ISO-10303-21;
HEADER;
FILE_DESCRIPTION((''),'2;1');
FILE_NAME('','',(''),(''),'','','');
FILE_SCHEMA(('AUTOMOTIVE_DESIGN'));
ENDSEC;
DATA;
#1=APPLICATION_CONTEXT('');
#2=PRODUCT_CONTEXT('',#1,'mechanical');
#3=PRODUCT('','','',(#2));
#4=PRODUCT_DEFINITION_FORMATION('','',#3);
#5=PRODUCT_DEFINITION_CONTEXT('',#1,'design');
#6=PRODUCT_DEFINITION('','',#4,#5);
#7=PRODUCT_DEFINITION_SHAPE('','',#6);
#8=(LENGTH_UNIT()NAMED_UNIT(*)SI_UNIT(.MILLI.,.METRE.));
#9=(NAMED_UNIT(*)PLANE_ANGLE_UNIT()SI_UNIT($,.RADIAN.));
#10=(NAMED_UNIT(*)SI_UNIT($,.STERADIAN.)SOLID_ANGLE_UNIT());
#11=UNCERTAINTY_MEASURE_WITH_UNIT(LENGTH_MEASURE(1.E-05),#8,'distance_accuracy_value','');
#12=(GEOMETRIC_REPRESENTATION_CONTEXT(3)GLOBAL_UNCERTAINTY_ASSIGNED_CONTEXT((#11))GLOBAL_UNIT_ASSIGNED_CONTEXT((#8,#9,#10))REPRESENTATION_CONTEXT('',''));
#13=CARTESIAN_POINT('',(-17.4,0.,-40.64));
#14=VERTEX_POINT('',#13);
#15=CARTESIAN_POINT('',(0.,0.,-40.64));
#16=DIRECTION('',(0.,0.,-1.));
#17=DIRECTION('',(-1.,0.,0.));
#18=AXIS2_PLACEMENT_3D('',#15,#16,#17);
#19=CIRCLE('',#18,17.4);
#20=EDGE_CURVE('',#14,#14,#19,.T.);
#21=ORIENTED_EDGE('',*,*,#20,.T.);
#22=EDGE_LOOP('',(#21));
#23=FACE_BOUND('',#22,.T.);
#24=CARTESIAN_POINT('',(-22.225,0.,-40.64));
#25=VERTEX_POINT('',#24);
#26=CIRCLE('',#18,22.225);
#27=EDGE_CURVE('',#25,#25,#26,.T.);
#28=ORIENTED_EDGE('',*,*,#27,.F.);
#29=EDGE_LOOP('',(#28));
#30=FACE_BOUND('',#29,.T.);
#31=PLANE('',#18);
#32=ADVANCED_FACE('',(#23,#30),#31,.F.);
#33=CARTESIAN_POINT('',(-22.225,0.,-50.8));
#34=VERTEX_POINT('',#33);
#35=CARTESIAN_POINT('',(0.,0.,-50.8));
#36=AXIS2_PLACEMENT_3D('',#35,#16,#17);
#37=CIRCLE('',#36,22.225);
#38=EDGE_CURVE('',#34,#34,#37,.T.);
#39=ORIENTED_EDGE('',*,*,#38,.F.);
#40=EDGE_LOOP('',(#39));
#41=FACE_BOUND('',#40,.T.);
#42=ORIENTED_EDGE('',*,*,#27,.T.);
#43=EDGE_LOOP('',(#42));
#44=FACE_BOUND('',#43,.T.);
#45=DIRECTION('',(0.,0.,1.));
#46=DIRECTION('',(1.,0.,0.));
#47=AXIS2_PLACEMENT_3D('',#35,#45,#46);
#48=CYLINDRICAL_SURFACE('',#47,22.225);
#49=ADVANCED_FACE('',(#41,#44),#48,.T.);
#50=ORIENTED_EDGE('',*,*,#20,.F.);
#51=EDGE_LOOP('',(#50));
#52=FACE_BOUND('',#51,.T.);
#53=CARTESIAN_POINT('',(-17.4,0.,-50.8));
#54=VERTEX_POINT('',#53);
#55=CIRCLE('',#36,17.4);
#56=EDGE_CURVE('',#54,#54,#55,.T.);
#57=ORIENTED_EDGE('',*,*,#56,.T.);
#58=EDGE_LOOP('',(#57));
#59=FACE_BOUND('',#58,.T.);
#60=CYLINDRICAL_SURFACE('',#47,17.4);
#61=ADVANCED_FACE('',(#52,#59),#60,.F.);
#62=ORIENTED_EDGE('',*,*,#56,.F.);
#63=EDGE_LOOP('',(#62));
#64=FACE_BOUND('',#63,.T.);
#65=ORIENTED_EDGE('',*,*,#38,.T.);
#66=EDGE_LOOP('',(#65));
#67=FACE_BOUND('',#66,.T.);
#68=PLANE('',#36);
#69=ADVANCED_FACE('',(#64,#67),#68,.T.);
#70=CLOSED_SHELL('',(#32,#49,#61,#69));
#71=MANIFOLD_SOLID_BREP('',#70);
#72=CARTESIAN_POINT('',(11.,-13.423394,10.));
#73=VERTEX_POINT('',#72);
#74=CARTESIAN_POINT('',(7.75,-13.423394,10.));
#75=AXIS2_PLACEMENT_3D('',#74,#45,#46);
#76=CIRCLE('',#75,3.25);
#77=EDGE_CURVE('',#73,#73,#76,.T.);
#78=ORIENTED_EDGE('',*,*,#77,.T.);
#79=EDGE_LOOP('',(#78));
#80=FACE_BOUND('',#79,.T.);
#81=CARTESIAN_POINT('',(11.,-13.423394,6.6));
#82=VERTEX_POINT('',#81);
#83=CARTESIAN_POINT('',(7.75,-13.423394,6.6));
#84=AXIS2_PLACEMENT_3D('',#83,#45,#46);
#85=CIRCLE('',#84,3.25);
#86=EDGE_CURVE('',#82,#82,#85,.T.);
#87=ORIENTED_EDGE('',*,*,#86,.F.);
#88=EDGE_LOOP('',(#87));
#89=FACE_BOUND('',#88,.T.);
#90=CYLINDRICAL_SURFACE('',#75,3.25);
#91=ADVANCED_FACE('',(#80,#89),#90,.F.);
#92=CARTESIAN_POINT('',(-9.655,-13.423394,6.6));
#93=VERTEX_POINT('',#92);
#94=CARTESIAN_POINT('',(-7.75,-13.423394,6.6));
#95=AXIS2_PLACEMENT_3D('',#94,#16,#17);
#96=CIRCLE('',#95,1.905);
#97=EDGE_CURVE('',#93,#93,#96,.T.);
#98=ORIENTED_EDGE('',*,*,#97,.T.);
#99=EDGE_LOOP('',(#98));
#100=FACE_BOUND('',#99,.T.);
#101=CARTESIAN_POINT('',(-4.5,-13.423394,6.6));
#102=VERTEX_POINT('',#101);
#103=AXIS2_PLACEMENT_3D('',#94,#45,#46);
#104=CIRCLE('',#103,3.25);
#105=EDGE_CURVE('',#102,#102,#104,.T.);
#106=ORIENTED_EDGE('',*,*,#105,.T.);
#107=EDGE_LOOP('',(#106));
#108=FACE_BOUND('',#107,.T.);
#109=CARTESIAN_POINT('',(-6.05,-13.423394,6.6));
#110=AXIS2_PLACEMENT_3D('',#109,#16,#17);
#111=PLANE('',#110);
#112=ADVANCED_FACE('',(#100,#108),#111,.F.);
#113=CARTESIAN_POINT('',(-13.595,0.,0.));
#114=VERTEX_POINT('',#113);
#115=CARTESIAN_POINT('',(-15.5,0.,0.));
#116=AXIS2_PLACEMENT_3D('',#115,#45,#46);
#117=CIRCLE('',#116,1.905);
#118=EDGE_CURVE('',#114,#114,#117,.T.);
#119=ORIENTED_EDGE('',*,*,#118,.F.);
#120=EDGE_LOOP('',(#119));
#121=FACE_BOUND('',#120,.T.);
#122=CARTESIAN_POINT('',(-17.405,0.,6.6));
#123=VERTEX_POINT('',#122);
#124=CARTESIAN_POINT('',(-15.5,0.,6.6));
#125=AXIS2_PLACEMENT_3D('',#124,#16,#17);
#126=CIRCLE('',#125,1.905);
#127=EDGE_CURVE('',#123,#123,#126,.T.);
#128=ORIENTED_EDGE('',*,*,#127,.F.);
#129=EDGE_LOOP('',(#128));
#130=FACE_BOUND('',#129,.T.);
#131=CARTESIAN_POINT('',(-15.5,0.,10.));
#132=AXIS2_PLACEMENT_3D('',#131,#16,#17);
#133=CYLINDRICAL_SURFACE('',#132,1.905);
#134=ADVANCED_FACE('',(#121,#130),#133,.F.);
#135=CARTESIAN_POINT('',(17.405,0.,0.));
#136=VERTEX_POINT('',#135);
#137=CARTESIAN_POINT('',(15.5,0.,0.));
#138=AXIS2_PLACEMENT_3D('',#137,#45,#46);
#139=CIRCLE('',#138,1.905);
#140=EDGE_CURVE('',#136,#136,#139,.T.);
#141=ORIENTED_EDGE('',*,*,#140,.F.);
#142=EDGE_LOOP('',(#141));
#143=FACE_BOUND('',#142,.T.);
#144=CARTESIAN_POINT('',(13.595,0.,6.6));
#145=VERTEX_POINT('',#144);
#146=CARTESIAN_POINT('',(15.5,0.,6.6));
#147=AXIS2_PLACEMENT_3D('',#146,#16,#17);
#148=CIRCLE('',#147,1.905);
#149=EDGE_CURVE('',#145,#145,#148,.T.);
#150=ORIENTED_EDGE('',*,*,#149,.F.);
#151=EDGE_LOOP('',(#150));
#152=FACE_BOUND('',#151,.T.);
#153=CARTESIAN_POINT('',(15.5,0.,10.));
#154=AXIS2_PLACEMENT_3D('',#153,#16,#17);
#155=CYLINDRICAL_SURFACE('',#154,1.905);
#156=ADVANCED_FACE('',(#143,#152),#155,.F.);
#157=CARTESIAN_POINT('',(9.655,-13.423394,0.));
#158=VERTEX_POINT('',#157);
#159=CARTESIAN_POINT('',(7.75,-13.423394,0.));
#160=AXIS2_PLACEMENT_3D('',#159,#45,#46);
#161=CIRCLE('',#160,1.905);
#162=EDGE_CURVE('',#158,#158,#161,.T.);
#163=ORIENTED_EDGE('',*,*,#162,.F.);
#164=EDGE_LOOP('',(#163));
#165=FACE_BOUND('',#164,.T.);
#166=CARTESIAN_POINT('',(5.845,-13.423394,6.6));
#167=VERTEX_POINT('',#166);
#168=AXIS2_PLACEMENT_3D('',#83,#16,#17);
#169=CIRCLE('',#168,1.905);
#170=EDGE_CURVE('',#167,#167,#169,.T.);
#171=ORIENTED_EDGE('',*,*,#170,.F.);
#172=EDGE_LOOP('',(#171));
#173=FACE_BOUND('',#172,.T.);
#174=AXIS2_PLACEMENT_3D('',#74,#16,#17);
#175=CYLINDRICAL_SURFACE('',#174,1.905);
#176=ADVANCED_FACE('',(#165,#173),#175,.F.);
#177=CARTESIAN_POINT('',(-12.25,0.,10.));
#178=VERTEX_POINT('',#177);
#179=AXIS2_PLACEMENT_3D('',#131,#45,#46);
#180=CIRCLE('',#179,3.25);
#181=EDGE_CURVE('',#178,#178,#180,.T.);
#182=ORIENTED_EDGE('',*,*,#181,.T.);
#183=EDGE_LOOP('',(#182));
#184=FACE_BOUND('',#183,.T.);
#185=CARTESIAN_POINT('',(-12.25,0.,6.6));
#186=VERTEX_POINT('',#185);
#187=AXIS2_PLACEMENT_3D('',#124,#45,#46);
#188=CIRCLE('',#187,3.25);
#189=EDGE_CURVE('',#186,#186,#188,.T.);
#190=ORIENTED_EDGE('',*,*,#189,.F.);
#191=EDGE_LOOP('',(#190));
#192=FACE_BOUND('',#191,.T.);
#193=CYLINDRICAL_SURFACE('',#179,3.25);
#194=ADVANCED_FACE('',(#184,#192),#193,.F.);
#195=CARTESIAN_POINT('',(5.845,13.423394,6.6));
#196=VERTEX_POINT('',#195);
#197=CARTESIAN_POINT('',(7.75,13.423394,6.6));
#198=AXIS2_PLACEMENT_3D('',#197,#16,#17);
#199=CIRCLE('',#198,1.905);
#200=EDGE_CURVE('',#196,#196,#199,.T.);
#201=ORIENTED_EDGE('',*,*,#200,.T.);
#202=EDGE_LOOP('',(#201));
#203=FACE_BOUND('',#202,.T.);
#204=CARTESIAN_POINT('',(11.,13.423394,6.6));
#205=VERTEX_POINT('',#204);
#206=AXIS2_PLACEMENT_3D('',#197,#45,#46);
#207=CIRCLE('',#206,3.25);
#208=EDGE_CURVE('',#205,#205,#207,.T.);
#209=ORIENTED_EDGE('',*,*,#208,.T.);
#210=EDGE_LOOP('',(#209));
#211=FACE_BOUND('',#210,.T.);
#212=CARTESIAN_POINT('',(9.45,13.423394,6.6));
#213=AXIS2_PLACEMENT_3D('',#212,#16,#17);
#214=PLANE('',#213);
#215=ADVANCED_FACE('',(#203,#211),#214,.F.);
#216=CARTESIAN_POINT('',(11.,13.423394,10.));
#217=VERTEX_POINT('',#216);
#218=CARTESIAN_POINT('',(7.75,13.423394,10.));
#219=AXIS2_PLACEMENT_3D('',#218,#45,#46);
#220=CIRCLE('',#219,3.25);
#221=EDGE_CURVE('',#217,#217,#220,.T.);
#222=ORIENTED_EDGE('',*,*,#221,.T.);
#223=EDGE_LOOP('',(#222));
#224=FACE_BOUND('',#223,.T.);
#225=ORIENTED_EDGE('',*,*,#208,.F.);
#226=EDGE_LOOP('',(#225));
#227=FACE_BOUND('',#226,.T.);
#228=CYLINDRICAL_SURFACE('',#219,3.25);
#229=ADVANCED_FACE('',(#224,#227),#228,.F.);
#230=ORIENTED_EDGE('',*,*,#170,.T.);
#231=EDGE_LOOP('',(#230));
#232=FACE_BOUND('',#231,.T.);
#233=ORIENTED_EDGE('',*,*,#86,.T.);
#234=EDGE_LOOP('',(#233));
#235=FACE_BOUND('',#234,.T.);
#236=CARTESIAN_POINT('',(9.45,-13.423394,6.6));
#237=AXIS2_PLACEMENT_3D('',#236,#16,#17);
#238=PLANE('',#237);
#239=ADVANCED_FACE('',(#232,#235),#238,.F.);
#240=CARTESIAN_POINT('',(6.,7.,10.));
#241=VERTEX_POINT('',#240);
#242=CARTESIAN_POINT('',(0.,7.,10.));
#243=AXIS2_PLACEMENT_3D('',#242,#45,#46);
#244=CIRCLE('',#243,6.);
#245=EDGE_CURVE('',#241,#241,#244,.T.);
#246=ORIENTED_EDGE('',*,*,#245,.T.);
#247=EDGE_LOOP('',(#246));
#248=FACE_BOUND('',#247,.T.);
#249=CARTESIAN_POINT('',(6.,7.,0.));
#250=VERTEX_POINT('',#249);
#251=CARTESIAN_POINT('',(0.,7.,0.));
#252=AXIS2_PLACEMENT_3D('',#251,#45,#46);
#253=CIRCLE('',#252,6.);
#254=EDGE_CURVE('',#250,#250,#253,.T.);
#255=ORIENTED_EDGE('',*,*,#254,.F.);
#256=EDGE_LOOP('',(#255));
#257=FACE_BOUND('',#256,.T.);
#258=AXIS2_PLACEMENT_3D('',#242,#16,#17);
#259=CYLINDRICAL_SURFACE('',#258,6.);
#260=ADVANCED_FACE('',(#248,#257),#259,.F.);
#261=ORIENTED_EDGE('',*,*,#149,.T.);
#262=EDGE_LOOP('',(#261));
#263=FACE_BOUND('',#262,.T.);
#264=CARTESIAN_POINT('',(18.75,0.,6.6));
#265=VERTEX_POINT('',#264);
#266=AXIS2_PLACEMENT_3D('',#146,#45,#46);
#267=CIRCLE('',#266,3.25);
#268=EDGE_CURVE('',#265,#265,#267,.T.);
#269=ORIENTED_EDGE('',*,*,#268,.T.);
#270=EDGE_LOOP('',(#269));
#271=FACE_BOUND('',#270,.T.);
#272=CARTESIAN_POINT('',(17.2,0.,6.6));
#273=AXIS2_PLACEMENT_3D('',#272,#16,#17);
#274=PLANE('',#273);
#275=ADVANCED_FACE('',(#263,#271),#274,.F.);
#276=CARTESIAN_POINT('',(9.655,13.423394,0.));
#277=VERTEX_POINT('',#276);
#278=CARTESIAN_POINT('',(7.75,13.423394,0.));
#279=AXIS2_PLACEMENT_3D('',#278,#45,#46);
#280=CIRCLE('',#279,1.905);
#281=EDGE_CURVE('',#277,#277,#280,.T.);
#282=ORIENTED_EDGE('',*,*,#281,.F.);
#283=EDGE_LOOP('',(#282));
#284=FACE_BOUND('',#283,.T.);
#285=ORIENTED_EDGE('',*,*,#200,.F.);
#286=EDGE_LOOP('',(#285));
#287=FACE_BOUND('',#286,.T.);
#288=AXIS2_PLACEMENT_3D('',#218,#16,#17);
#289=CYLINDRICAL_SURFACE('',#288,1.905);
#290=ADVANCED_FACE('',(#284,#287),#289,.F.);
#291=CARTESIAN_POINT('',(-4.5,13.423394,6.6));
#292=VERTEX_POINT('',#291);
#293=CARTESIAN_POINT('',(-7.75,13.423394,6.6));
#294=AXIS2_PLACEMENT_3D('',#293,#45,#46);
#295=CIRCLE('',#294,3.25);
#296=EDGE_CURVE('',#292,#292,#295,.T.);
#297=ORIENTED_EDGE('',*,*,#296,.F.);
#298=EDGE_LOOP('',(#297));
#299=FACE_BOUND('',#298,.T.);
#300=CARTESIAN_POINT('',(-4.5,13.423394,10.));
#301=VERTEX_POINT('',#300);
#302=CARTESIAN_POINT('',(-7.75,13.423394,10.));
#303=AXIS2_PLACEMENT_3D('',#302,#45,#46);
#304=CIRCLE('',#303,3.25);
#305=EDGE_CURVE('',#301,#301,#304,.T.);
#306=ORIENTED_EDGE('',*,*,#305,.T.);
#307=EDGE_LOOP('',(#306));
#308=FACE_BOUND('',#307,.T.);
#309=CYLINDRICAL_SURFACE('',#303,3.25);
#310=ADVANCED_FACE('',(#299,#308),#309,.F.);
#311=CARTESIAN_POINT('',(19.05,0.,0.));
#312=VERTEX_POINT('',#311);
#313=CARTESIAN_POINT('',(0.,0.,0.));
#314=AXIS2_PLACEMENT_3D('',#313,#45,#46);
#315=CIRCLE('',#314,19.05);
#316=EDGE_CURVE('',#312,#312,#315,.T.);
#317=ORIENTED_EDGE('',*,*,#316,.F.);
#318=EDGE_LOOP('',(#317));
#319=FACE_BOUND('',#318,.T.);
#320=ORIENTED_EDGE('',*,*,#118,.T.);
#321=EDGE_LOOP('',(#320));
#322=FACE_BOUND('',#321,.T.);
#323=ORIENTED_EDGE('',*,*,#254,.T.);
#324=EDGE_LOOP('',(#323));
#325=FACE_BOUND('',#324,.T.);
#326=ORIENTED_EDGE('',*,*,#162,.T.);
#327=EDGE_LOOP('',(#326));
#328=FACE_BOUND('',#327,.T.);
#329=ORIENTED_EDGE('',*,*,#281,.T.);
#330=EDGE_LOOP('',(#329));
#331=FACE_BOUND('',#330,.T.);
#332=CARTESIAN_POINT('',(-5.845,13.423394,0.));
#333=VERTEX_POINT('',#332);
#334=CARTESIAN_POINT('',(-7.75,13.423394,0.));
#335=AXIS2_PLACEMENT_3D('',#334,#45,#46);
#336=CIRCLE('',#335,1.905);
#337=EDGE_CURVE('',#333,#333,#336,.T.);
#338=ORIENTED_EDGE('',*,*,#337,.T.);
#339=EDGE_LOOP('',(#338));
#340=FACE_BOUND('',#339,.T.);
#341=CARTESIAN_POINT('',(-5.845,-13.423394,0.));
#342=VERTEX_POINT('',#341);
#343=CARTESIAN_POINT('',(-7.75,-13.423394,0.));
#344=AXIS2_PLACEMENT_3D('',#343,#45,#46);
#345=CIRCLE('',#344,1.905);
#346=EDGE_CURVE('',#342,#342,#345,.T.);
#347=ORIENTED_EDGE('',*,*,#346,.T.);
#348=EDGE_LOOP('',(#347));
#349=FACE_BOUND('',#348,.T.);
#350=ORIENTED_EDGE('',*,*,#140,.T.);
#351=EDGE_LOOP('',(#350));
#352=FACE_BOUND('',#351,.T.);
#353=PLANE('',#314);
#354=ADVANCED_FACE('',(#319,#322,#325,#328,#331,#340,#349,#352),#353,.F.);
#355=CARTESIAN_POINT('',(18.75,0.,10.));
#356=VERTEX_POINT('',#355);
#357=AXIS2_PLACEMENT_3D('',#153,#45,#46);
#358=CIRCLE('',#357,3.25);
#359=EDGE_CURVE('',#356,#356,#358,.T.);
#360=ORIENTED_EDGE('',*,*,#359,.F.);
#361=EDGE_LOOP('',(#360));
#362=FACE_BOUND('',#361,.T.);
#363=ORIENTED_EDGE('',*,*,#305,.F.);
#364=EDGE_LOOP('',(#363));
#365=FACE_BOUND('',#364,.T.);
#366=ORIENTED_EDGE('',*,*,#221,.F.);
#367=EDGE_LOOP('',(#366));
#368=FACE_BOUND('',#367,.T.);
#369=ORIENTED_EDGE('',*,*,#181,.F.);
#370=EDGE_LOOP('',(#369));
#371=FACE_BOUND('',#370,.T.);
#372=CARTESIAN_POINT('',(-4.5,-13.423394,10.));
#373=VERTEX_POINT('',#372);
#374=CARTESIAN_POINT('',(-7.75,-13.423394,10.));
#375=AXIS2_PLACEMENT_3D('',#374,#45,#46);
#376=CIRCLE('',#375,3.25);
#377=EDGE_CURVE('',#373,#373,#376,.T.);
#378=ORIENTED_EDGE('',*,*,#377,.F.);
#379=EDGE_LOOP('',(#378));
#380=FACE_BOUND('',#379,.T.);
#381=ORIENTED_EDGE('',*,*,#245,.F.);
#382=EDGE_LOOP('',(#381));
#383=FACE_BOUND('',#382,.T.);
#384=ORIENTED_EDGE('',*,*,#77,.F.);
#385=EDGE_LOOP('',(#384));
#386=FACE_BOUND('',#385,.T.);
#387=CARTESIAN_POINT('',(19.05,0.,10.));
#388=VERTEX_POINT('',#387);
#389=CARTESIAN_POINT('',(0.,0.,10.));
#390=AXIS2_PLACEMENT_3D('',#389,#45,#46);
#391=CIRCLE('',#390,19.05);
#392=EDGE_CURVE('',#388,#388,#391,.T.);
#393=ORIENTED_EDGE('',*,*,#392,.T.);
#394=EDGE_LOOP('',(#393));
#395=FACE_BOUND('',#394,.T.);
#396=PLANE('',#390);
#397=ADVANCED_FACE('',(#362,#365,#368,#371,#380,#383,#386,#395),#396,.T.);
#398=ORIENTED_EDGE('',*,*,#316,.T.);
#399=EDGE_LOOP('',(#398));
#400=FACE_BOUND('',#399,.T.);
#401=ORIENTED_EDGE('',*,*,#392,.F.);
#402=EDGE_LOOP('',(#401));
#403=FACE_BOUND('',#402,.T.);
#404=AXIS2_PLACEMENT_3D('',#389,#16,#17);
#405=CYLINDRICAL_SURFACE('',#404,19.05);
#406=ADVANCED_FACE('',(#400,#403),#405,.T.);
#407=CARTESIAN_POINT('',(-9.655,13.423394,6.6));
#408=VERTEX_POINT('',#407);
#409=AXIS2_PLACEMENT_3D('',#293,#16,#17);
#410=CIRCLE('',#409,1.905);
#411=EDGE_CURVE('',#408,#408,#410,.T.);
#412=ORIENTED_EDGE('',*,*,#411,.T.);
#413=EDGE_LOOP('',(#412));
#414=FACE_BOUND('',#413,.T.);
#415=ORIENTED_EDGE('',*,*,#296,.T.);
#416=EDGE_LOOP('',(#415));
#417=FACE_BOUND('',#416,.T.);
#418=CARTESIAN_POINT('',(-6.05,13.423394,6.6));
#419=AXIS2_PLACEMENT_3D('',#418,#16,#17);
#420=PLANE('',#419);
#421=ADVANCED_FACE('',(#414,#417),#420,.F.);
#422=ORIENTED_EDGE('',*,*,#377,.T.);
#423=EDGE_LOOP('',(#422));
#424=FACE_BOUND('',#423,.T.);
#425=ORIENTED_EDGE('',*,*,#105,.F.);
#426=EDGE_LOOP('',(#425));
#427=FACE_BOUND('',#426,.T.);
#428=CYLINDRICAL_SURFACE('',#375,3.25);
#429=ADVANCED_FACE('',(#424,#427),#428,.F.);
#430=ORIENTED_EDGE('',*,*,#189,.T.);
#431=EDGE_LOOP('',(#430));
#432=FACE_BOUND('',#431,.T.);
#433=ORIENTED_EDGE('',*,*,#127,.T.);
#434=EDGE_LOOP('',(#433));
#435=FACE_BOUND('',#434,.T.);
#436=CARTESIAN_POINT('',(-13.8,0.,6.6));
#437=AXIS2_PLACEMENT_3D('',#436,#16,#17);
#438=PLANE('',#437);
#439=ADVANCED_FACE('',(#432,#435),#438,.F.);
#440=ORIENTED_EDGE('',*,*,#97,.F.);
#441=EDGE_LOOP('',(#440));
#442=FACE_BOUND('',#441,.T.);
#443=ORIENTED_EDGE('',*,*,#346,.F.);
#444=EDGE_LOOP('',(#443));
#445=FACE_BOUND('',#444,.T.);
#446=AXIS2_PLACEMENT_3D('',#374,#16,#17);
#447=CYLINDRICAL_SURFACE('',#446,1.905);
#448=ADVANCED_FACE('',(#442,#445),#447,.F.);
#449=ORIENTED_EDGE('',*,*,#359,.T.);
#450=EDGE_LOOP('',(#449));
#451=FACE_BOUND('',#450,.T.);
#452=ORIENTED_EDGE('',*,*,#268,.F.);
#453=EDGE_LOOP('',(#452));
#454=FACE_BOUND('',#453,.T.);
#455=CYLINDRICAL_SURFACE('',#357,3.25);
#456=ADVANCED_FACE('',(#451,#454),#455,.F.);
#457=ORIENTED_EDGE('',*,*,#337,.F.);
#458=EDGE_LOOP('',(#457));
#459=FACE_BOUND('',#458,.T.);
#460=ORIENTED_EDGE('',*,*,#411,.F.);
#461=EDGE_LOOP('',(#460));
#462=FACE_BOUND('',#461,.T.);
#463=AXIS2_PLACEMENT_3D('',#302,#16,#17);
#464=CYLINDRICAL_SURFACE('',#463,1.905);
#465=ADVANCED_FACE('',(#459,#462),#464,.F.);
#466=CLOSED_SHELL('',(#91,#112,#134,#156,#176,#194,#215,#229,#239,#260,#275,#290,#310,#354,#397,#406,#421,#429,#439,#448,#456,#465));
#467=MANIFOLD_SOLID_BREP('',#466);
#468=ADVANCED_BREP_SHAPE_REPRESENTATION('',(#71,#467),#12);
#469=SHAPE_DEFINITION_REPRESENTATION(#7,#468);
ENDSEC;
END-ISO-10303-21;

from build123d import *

# Parameters (mm, degrees)
SKETCH1_R                                           = 19.05
SKETCH1_R_2                                         = 6
SKETCH1_R_3                                         = 1.905
FACE_PLATE_DEPTH                                    = 10
CBORE_FOR_M3_HEX_SOCKET_HEAD_CAP_SCREW1_D           = 3.4
CBORE_FOR_M3_HEX_SOCKET_HEAD_CAP_SCREW1_CBORE_D     = 6.5
CBORE_FOR_M3_HEX_SOCKET_HEAD_CAP_SCREW1_CBORE_DEPTH = 3.4
SKETCH5_R                                           = 22.225
SKETCH5_R_2                                         = 17.4
BOSS_EXTRUDE1_DEPTH                                 = 10.16


with BuildPart() as part:
    # Sketch1 → Face Plate (new body)
    with BuildSketch(Plane.XY):
        Circle(SKETCH1_R)
        with Locations((0, 7)):
            Circle(SKETCH1_R_2, mode=Mode.SUBTRACT)
        with Locations((15.5, 0)):
            Circle(SKETCH1_R_3, mode=Mode.SUBTRACT)
        with Locations((7.75, -13.423393759)):
            Circle(SKETCH1_R_3, mode=Mode.SUBTRACT)
        with Locations((-7.75, -13.423393759)):
            Circle(SKETCH1_R_3, mode=Mode.SUBTRACT)
        with Locations((-15.5, 0)):
            Circle(SKETCH1_R_3, mode=Mode.SUBTRACT)
        with Locations((-7.75, 13.423393759)):
            Circle(SKETCH1_R_3, mode=Mode.SUBTRACT)
        with Locations((7.75, 13.423393759)):
            Circle(SKETCH1_R_3, mode=Mode.SUBTRACT)
    extrude(amount=FACE_PLATE_DEPTH)

    # CBORE for M3 Hex Socket Head Cap Screw1 (through all)
    with Locations(Plane.XY.offset(10)):
        with Locations((7.75, -13.423393759), (-7.75, -13.423393759), (-15.5, 0), (-7.75, 13.423393759), (7.75, 13.423393759), (15.5, 0)):
            CounterBoreHole(CBORE_FOR_M3_HEX_SOCKET_HEAD_CAP_SCREW1_D / 2, CBORE_FOR_M3_HEX_SOCKET_HEAD_CAP_SCREW1_CBORE_D / 2, CBORE_FOR_M3_HEX_SOCKET_HEAD_CAP_SCREW1_CBORE_DEPTH)


with BuildPart() as body_2:
    # Sketch5 → Boss-Extrude1 (new body)
    with BuildSketch(Plane(origin=(0, 0, -40.64), x_dir=(-1, 0, 0), z_dir=(0, 0, -1))):
        Circle(SKETCH5_R)
        Circle(SKETCH5_R_2, mode=Mode.SUBTRACT)
    extrude(amount=BOSS_EXTRUDE1_DEPTH)


solid = Compound([part.part, body_2.part])
